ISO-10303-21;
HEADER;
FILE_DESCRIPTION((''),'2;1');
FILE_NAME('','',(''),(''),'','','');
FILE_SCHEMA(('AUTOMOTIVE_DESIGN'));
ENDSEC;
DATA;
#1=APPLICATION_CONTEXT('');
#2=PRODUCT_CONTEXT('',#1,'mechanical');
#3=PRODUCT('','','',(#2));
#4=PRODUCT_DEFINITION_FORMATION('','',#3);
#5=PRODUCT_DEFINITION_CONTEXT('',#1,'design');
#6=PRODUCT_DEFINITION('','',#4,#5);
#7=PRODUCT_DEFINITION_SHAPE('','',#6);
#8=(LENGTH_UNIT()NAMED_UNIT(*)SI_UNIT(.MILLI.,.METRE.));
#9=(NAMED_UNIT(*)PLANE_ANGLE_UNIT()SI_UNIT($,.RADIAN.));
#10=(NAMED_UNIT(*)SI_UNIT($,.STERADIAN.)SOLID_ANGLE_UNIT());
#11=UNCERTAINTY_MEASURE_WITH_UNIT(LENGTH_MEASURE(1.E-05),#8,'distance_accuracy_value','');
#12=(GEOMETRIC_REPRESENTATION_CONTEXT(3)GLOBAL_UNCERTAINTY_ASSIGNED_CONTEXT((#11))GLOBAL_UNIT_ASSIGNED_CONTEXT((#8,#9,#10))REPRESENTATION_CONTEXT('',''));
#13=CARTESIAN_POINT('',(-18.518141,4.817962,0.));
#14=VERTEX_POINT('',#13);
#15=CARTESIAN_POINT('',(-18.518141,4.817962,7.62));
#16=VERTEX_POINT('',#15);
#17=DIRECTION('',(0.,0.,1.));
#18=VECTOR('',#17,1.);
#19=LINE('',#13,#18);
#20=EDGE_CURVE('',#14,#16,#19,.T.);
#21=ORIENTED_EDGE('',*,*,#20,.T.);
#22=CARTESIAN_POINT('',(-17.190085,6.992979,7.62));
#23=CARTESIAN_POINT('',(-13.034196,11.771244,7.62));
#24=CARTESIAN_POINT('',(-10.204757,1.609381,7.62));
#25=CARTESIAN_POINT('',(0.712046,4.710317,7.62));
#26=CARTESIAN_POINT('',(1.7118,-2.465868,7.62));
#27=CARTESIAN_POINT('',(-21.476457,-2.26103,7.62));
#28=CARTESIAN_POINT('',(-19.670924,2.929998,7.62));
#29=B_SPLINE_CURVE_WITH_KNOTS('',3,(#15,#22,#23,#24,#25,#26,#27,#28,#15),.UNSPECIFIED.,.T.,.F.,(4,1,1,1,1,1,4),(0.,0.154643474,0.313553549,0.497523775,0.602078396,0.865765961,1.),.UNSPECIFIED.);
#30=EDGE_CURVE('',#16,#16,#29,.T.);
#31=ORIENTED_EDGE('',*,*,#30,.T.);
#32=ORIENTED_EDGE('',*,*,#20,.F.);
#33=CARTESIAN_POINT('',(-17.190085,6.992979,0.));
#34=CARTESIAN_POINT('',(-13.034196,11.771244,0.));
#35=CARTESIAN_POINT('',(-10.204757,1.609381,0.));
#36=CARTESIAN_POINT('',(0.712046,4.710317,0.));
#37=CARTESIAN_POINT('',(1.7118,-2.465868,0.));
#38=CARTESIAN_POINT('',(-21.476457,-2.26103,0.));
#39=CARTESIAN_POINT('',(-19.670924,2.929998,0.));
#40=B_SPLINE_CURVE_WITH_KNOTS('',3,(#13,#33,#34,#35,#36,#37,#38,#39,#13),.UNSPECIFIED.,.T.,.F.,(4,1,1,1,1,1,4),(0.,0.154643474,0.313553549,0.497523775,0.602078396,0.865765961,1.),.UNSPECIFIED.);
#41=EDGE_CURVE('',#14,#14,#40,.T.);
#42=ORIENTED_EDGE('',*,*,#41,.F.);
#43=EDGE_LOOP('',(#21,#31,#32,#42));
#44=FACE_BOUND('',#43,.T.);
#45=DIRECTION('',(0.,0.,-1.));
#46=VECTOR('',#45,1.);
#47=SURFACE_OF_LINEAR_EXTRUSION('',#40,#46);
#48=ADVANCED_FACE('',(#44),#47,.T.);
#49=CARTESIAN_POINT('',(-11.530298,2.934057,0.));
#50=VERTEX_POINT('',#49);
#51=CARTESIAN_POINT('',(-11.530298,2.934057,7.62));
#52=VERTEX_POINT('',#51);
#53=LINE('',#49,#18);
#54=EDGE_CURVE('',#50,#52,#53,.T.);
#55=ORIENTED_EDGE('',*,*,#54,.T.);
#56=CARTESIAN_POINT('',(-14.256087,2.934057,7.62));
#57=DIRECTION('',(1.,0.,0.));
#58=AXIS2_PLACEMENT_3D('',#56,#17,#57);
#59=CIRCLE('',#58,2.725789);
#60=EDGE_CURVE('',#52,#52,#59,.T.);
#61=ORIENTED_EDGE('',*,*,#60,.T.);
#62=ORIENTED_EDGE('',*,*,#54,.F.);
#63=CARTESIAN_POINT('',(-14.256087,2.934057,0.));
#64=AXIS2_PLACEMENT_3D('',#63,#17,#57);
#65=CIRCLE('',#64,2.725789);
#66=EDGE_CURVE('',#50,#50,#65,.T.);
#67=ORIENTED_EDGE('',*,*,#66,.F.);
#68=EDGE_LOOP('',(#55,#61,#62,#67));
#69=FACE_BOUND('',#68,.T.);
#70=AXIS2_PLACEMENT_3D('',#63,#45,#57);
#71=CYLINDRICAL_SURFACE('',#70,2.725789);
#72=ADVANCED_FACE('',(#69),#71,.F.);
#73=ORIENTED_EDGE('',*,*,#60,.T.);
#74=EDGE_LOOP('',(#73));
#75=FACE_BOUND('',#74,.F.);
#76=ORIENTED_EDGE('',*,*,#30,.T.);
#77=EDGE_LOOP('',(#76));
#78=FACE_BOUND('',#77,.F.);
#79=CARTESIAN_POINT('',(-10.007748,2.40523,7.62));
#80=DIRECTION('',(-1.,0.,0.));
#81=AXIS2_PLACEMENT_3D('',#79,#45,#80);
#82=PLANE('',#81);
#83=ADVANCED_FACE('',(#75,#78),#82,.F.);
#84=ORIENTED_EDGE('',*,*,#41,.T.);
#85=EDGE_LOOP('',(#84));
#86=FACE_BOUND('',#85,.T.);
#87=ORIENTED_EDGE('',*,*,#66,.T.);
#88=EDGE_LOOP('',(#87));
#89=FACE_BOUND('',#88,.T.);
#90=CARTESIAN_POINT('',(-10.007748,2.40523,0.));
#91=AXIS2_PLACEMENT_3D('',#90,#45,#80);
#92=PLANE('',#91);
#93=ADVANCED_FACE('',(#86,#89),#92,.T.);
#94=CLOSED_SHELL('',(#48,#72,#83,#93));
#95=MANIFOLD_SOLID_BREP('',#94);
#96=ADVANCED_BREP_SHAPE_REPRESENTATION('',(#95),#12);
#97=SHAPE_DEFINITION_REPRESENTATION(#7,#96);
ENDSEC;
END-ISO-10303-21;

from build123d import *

# Parameters (mm, degrees)
F1_R     = 2.7257893685
F2_DEPTH = 7.62


with BuildPart() as f2:
    # F1 (on face) → F2 (new body)
    with BuildSketch(Plane.XY):
        with BuildLine():
            add(Edge.make_bspline(
                [(-18.5181410817, 4.8179623934), (-17.1900845642, 6.9929793733), (-13.0341962972, 11.7712437995), (-10.2047565996, 1.6093813159), (0.7120460721, 4.7103170121), (1.7118003867, -2.4658682715), (-21.4764568398, -2.2610304619), (-19.6709242292, 2.9299983746), (-18.5181410817, 4.8179623934)],
                knots=[0, 0, 0, 0, 0.1546434737, 0.3135535495, 0.4975237753, 0.6020783959, 0.865765961, 1, 1, 1, 1], degree=3))
        make_face()
        with Locations((-14.2560869455, 2.9340570793)):
            Circle(F1_R, mode=Mode.SUBTRACT)
    extrude(amount=F2_DEPTH)


solid = f2.part
